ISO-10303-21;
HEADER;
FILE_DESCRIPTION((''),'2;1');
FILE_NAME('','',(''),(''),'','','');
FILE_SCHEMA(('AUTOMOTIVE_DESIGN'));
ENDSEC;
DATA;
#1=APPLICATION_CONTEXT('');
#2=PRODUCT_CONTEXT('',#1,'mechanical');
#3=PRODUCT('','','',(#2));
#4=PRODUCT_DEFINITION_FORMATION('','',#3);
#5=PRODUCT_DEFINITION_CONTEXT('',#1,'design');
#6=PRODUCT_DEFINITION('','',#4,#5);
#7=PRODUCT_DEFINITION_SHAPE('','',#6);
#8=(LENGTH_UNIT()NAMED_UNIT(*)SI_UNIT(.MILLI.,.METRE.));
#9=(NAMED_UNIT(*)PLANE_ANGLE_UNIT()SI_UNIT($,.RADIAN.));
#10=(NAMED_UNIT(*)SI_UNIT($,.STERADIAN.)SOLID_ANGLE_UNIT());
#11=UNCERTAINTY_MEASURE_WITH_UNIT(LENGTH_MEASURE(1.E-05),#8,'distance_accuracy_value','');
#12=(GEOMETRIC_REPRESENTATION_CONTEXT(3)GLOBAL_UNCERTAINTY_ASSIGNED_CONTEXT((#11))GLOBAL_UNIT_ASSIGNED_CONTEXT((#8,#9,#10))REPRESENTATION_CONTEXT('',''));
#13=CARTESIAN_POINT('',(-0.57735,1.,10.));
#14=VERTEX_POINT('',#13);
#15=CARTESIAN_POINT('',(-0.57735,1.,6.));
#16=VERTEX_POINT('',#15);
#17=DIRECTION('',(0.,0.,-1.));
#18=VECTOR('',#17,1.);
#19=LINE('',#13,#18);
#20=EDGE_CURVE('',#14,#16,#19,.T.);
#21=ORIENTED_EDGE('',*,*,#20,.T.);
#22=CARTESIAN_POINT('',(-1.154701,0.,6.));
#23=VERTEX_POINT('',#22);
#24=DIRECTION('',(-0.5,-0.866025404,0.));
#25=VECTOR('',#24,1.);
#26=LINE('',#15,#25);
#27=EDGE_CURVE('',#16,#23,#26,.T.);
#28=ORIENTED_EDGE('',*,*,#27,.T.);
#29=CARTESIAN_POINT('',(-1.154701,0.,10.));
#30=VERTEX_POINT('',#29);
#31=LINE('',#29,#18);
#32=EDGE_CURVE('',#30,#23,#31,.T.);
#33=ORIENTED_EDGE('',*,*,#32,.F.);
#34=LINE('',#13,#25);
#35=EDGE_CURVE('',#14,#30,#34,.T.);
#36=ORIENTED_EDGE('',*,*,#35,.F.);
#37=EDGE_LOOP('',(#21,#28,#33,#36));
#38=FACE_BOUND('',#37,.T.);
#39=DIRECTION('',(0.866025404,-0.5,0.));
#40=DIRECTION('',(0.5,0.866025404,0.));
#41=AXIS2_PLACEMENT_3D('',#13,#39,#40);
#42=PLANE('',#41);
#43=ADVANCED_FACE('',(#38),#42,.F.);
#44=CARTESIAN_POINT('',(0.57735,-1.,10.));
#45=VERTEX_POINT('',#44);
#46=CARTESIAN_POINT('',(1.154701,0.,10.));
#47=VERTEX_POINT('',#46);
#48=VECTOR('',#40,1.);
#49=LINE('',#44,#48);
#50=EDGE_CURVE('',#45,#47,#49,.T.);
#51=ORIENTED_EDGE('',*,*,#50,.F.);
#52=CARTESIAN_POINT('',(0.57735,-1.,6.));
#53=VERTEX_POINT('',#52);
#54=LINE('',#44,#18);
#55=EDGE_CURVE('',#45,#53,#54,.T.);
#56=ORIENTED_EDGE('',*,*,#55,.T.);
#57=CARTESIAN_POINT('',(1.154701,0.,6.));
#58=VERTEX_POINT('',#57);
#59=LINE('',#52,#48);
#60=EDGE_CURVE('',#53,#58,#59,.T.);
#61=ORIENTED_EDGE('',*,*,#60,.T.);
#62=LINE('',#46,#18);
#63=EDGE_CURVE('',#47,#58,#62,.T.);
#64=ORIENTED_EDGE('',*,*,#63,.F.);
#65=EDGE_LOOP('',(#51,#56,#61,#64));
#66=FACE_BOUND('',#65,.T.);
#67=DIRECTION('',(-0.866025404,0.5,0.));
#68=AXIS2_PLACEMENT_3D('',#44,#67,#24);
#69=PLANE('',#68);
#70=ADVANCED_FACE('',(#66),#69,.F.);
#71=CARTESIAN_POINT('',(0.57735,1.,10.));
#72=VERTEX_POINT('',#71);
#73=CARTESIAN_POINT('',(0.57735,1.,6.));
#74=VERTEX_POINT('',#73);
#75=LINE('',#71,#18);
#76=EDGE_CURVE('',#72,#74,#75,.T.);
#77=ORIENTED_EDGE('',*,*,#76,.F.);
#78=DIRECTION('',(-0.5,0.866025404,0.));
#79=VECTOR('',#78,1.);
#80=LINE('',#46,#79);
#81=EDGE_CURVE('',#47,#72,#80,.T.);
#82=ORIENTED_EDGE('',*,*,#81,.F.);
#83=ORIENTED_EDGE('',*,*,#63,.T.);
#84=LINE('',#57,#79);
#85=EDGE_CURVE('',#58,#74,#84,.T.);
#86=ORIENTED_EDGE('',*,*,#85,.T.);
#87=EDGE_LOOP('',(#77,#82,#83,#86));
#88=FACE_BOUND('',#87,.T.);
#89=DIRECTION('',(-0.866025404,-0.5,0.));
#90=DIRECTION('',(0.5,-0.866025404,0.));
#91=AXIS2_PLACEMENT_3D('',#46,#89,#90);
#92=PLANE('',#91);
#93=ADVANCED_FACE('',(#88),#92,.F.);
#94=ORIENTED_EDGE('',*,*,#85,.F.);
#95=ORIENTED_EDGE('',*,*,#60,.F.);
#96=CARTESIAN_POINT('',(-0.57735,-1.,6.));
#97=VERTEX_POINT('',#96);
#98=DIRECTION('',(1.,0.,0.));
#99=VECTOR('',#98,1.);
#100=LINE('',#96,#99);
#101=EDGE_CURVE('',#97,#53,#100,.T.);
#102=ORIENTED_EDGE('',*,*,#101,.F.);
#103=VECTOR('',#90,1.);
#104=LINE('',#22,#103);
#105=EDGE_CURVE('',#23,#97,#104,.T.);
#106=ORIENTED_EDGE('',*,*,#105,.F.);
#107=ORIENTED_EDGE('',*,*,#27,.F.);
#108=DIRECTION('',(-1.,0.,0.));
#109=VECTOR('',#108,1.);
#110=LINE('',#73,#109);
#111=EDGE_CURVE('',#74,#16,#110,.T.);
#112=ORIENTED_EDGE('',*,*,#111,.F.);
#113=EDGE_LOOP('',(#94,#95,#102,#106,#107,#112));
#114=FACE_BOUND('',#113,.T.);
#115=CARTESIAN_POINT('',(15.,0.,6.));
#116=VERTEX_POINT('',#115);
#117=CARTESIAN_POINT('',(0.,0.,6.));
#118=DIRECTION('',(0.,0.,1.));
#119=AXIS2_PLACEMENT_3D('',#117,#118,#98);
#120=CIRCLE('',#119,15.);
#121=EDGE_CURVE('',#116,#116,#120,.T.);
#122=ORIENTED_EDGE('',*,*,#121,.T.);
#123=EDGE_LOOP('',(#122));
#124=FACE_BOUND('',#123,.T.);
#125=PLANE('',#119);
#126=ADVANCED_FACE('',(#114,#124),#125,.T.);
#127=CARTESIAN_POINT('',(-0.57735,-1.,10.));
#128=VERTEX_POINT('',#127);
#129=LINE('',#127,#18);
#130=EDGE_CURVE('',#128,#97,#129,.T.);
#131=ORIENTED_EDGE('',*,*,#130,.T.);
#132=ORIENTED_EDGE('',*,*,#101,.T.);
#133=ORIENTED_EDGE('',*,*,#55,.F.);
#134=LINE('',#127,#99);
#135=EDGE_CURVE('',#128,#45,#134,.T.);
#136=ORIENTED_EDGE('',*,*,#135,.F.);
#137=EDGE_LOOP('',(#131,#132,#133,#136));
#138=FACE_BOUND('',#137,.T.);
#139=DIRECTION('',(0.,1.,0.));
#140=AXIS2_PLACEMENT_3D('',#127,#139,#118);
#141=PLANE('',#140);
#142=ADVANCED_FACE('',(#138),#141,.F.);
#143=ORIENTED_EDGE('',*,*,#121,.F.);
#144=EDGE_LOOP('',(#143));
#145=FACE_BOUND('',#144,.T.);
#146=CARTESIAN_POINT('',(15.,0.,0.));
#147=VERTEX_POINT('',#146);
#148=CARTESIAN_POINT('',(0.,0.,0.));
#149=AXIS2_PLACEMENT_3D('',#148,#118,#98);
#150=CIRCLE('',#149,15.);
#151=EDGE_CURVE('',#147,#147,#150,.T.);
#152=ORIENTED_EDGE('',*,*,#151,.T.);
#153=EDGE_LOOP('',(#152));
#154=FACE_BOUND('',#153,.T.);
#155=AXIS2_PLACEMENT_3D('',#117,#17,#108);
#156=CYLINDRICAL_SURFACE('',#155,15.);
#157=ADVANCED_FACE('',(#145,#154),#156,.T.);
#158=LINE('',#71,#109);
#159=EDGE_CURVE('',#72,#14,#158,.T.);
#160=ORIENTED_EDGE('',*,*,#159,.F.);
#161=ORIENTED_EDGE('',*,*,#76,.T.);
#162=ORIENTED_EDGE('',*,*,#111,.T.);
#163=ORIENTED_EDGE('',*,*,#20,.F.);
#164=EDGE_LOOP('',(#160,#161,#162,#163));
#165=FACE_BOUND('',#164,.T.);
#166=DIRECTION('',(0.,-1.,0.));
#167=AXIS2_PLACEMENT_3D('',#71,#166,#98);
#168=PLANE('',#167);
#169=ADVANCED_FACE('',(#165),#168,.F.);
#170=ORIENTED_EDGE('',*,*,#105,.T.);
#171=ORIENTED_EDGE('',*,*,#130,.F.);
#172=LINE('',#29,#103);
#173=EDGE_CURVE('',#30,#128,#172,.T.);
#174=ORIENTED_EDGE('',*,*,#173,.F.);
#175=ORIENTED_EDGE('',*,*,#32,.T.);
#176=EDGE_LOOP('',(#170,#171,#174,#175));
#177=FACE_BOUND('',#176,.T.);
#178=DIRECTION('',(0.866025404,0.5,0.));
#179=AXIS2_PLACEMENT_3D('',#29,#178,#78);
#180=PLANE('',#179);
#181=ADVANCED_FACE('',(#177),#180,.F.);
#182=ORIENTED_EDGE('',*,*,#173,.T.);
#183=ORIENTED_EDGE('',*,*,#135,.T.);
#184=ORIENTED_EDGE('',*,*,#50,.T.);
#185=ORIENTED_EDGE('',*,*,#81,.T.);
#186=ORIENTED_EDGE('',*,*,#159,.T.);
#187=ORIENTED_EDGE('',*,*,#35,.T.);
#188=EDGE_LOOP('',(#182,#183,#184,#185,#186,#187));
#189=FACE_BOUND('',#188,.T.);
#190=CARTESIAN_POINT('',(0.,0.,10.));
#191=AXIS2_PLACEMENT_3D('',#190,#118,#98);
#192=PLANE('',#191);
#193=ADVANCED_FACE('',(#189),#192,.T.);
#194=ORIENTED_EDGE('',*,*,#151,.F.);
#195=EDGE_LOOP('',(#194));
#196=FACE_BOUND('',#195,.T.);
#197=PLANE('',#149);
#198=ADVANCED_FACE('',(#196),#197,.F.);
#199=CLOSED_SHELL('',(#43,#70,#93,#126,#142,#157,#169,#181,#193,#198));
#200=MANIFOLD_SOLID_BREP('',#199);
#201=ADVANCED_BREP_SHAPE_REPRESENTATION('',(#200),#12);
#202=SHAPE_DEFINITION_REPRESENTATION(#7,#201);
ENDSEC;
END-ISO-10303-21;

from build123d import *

# Parameters (mm, degrees)
SKETCH1_R           = 15
BOSS_EXTRUDE1_DEPTH = 6
BOSS_EXTRUDE2_DEPTH = 4


with BuildPart() as part:
    # Sketch1 → Boss-Extrude1 (new body)
    with BuildSketch(Plane.XY):
        Circle(SKETCH1_R)
    extrude(amount=BOSS_EXTRUDE1_DEPTH)

    # Sketch4 → Boss-Extrude2 (add)
    with BuildSketch(Plane.XY.offset(6)):
        Polygon((1.154700538, 0), (0.577350269, 1), (-0.577350269, 1), (-1.154700538, 0), (-0.577350269, -1), (0.577350269, -1), align=None)
    extrude(amount=BOSS_EXTRUDE2_DEPTH)


solid = part.part
